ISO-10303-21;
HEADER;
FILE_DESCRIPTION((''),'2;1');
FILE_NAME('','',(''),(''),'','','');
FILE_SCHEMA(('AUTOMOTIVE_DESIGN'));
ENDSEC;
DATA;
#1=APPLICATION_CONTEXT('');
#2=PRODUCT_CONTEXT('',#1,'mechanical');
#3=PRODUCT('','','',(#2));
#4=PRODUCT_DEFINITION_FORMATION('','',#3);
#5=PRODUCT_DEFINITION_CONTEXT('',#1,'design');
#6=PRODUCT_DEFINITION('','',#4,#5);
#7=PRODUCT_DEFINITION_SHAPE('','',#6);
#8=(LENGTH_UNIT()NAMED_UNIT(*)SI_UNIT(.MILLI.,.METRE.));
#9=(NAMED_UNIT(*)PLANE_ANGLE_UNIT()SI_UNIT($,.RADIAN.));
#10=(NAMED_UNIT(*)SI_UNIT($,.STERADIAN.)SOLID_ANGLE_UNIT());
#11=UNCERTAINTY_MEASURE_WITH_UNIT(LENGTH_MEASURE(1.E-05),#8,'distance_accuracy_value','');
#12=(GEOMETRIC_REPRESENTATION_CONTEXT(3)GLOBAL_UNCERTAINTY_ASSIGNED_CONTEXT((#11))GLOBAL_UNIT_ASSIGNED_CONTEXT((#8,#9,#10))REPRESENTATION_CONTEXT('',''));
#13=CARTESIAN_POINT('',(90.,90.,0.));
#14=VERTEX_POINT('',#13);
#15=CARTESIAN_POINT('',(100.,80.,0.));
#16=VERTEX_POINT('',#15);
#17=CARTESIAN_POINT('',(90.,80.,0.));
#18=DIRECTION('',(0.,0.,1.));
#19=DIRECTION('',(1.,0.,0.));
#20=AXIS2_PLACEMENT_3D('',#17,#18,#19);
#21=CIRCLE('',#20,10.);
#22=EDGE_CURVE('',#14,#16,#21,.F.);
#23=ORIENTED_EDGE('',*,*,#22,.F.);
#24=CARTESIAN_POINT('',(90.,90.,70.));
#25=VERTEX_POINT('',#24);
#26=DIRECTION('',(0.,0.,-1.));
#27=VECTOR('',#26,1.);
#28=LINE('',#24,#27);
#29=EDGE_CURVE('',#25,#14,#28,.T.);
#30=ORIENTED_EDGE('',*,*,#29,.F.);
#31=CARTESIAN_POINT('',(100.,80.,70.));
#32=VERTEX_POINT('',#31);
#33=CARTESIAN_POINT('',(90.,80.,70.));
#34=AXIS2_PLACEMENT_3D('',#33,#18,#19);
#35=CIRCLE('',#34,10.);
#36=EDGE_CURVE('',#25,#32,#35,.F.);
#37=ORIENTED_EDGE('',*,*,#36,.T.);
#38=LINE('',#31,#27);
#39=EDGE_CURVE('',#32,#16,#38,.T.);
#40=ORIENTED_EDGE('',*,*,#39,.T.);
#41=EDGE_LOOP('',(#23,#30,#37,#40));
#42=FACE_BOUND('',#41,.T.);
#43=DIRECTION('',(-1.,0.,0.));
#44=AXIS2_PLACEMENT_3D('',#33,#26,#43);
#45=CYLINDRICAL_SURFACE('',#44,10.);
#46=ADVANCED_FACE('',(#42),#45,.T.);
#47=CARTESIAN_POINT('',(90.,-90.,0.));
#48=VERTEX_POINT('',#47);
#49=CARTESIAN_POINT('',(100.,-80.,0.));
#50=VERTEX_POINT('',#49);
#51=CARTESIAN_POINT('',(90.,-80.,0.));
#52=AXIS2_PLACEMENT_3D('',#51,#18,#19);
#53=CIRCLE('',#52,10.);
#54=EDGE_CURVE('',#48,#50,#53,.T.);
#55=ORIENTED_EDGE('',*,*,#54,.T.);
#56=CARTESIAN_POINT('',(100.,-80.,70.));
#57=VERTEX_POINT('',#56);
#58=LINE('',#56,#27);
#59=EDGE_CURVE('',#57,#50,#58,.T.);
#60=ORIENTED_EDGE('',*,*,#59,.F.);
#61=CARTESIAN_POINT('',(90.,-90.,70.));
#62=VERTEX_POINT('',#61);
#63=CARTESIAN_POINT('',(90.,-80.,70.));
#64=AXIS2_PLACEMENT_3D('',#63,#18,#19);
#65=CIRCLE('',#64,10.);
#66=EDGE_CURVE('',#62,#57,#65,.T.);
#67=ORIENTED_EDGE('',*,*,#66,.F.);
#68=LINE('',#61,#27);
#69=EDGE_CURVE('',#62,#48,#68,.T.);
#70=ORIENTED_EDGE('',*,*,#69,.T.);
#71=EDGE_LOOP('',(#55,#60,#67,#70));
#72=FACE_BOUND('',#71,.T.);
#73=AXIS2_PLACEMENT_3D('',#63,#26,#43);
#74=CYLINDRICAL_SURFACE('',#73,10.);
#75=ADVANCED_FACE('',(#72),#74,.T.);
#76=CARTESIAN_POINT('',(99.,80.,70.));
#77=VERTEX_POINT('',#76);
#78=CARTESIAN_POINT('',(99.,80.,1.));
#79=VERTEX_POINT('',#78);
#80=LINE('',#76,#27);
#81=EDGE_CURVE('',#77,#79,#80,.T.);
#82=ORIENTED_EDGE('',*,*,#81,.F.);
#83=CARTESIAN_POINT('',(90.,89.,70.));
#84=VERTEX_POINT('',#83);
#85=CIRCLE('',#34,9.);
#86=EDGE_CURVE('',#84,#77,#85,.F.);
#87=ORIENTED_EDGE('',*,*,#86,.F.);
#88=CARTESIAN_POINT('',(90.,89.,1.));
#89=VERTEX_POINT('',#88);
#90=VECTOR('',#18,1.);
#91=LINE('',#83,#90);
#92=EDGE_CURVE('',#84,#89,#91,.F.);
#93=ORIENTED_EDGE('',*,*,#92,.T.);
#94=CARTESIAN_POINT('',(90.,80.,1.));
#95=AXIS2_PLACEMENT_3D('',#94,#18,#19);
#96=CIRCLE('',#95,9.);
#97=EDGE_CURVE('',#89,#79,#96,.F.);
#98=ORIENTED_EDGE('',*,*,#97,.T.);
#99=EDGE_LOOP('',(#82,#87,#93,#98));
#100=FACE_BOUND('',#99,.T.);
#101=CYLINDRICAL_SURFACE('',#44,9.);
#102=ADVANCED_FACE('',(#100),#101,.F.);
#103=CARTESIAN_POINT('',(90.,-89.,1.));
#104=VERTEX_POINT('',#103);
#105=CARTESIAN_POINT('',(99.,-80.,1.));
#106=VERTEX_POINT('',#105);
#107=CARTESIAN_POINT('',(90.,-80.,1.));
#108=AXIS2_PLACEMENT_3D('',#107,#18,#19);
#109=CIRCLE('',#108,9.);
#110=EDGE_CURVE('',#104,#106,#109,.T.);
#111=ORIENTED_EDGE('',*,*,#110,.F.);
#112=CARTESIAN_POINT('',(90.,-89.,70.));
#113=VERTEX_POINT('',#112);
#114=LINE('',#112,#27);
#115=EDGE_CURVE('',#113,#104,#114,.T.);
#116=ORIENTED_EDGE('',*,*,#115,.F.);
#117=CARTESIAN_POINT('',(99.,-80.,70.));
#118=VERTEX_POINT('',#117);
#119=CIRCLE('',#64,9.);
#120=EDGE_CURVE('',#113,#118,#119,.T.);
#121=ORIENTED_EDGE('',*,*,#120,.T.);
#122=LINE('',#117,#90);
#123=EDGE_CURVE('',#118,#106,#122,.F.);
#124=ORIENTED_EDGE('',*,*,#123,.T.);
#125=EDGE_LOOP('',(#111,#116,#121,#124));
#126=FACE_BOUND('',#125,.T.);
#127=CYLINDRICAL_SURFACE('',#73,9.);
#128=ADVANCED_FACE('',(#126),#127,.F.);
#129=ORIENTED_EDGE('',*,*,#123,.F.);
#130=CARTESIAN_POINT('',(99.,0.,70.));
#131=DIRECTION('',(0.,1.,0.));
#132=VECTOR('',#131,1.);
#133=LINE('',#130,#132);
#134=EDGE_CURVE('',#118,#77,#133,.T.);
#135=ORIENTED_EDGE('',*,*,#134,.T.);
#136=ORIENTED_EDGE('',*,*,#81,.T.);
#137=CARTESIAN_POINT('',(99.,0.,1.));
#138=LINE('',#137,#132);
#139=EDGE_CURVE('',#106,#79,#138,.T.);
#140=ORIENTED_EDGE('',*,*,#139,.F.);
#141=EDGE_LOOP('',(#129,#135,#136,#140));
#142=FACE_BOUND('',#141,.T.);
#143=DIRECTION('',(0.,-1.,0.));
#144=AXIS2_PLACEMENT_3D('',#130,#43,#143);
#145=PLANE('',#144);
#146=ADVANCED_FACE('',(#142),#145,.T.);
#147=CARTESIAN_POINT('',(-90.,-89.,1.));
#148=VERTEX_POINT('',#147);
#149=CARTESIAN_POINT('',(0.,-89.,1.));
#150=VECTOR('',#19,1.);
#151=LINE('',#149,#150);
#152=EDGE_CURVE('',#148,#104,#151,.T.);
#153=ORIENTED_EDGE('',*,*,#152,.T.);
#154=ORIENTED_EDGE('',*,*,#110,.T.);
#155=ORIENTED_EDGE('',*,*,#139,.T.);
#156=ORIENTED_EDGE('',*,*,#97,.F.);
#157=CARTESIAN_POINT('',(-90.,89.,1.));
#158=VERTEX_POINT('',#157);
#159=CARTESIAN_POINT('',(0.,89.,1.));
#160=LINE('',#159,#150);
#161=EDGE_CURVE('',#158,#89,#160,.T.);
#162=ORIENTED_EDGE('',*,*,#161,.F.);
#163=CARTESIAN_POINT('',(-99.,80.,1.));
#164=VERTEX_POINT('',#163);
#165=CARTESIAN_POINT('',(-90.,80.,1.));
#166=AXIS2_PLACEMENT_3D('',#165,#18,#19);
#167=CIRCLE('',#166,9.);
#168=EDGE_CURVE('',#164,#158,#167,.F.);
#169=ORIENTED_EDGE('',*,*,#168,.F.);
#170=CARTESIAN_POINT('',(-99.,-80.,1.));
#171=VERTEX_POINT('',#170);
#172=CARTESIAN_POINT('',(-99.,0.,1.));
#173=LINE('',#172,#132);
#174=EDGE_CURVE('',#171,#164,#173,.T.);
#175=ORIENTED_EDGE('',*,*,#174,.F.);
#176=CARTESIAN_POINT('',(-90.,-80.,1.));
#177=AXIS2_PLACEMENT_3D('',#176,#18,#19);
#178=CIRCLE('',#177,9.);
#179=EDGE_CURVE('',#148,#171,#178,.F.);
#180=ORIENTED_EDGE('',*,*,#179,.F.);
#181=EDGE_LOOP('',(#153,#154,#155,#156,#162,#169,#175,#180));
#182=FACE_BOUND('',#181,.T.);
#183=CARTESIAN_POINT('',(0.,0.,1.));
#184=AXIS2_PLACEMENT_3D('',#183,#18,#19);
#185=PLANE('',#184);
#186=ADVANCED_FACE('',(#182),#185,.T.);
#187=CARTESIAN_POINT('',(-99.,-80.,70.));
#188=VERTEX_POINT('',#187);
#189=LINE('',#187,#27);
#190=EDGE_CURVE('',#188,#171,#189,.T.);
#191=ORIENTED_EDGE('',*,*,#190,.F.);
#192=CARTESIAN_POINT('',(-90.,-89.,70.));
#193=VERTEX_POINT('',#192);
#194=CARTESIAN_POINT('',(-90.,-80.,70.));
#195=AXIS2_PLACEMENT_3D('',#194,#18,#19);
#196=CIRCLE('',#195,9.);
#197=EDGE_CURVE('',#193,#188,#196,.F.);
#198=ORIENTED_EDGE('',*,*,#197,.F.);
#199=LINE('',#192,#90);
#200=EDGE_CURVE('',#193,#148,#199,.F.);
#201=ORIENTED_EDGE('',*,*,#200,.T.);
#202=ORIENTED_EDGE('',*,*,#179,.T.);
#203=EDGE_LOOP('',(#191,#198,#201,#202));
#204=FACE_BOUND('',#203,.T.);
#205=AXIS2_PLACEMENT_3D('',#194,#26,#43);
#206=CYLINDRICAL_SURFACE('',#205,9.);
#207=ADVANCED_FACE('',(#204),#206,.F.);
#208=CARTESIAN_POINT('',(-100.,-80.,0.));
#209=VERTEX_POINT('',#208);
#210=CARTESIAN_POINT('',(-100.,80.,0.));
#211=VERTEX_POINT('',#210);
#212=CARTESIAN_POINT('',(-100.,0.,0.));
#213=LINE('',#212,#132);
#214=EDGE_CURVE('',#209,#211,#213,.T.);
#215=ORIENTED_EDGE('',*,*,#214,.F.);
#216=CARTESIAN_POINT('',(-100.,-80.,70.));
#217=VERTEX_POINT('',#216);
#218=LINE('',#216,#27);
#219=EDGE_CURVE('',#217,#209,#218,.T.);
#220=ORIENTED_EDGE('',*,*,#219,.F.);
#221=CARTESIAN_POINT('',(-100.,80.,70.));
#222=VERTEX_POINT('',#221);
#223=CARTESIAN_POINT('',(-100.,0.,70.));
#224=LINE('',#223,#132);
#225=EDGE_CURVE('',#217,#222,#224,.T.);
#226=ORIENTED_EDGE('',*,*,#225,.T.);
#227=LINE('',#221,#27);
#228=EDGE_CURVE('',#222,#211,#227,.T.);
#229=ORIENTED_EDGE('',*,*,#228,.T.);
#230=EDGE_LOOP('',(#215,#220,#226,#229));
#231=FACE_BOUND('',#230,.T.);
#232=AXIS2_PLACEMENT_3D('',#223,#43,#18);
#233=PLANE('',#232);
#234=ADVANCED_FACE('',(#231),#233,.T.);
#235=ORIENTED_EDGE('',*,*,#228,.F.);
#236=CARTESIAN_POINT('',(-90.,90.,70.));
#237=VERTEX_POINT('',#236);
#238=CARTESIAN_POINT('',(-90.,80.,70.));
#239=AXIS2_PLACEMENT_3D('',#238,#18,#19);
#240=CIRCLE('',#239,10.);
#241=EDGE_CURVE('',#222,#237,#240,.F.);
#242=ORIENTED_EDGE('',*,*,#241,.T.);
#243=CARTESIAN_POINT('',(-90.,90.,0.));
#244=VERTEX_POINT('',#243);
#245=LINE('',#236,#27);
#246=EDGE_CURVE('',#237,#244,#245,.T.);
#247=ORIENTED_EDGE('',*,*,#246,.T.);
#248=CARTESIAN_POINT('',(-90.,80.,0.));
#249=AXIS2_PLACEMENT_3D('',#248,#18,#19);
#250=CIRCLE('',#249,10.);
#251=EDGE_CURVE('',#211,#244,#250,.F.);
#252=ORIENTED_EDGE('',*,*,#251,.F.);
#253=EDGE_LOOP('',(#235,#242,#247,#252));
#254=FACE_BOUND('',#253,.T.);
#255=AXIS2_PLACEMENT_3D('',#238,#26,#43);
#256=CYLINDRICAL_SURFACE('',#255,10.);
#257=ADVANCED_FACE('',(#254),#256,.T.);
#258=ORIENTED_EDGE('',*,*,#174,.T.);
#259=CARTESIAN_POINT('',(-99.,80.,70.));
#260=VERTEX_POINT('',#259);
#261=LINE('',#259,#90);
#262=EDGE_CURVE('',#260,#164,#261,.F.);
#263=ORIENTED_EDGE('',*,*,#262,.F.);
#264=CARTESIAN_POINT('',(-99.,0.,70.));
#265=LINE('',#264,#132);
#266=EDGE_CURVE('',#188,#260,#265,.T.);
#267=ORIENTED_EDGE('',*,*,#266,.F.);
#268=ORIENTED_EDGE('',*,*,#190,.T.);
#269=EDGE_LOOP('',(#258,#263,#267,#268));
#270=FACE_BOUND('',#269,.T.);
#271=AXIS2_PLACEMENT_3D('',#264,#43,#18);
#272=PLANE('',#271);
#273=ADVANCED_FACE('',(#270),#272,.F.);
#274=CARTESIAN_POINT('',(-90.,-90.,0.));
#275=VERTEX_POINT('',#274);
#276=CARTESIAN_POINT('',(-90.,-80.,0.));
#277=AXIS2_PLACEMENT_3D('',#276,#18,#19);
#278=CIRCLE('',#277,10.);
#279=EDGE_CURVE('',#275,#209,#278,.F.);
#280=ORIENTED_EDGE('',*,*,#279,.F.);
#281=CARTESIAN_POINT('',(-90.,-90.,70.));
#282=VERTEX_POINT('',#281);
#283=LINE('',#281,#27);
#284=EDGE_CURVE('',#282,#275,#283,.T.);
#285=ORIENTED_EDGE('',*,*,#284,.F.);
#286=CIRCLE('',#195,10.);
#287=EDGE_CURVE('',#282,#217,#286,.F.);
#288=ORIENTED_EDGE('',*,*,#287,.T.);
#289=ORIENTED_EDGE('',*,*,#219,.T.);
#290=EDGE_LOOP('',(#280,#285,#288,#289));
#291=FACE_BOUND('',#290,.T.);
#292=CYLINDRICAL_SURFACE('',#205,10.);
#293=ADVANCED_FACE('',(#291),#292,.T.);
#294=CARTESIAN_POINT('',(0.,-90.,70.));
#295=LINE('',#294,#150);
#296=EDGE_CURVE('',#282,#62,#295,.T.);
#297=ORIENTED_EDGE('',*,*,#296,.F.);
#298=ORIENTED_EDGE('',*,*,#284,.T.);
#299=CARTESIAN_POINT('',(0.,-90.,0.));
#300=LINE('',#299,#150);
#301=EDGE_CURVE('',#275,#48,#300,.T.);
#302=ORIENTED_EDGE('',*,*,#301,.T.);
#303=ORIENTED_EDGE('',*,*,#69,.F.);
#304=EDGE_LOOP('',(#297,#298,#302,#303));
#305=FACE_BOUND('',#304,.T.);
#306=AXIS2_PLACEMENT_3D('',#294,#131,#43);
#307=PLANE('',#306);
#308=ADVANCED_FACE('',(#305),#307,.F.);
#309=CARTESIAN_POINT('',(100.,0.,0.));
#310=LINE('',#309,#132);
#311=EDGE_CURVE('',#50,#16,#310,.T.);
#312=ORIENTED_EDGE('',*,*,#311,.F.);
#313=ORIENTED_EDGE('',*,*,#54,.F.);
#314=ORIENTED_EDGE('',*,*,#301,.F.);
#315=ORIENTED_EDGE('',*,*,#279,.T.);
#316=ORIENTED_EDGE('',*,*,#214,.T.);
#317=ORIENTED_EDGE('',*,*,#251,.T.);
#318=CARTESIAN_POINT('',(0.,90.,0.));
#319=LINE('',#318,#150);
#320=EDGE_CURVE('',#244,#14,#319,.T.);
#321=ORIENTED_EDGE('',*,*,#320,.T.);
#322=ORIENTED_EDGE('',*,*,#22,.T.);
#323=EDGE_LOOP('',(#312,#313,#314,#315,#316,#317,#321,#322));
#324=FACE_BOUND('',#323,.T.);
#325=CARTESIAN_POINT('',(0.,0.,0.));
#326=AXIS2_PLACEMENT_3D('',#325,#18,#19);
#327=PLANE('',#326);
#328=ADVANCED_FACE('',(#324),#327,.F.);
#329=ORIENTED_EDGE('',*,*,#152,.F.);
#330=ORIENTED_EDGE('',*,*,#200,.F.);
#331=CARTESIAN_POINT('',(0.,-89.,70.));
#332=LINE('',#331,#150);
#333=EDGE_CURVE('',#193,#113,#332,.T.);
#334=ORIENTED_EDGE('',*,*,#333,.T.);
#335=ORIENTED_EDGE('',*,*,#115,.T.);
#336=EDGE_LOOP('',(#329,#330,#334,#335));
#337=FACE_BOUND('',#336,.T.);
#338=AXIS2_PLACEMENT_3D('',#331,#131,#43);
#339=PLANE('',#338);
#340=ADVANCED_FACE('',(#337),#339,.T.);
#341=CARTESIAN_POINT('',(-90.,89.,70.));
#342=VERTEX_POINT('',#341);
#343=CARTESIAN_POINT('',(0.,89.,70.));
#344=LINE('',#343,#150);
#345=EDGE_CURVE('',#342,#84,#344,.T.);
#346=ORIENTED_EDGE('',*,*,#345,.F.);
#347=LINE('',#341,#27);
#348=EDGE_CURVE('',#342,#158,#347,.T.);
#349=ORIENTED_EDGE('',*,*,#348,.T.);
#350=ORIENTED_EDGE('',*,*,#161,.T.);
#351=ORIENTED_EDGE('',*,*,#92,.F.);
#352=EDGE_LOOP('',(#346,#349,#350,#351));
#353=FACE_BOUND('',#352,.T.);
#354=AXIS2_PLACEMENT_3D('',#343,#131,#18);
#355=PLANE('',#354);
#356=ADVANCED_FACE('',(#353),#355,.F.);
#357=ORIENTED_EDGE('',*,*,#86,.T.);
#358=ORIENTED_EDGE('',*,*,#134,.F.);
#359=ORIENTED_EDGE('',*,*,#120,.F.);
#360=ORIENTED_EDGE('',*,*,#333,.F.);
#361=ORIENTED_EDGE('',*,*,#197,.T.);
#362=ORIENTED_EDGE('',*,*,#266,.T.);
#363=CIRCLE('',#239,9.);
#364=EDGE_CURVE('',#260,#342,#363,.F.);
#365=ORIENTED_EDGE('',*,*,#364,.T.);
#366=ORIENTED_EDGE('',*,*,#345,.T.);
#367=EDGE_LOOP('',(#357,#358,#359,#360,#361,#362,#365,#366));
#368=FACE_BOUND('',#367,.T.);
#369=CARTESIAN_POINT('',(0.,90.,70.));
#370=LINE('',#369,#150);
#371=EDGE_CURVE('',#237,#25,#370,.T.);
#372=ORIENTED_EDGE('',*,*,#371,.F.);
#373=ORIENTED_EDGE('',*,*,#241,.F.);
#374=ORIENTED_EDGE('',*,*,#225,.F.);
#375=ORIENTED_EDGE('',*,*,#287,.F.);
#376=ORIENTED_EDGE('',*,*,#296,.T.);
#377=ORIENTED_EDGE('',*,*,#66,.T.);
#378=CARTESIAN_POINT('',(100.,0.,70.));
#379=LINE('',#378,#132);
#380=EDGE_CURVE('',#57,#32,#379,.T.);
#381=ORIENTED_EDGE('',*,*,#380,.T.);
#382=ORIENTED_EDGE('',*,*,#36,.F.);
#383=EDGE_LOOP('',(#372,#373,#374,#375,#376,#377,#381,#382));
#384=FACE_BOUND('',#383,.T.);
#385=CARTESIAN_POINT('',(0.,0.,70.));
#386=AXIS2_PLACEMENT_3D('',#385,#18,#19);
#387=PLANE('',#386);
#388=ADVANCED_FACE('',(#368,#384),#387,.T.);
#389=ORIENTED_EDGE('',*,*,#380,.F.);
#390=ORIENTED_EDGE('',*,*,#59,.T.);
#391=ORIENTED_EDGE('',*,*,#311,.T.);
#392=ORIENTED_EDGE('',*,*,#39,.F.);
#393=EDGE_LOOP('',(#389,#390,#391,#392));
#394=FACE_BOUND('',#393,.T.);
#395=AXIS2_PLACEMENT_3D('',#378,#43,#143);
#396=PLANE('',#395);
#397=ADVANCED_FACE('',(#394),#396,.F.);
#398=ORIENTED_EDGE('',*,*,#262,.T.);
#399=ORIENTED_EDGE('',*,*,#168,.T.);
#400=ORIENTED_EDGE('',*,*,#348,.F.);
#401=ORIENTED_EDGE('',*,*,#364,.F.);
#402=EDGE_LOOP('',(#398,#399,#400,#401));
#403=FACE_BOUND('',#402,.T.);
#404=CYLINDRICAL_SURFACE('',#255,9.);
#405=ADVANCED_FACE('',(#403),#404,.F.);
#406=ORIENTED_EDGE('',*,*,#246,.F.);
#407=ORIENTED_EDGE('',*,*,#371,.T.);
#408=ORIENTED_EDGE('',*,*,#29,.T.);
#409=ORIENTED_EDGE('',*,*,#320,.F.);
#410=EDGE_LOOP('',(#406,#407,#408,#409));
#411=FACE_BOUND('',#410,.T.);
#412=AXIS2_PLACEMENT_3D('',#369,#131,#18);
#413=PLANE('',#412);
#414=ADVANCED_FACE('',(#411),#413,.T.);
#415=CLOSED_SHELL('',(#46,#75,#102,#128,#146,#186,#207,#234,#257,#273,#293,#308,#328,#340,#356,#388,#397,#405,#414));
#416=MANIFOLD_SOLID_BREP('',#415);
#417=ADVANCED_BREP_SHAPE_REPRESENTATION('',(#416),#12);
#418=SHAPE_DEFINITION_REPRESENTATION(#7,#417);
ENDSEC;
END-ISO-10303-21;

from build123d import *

# Parameters (mm, degrees)
EXTRUDE_1_DEPTH = 70
SHELL_1_T       = -1


with BuildPart() as part:
    # 草图1 → 凸台-拉伸1 (new body)
    with BuildSketch(Plane.XY):
        with BuildLine():
            Line((-90, -90), (90, -90))
            ThreePointArc((90, -90), (97.071067812, -87.071067812), (100, -80))
            Line((100, -80), (100, 80))
            ThreePointArc((100, 80), (97.071067812, 87.071067812), (90, 90))
            Line((90, 90), (-90, 90))
            ThreePointArc((-90, 90), (-97.071067812, 87.071067812), (-100, 80))
            Line((-100, 80), (-100, -80))
            ThreePointArc((-100, -80), (-97.071067812, -87.071067812), (-90, -90))
        make_face()
    extrude(amount=EXTRUDE_1_DEPTH)

    # 抽壳1
    shell_1_openings = [part.faces().sort_by_distance(p)[0] for p in [
        (0, 0, 70),
    ]]
    offset(amount=SHELL_1_T, openings=shell_1_openings, kind=Kind.INTERSECTION)


solid = part.part
